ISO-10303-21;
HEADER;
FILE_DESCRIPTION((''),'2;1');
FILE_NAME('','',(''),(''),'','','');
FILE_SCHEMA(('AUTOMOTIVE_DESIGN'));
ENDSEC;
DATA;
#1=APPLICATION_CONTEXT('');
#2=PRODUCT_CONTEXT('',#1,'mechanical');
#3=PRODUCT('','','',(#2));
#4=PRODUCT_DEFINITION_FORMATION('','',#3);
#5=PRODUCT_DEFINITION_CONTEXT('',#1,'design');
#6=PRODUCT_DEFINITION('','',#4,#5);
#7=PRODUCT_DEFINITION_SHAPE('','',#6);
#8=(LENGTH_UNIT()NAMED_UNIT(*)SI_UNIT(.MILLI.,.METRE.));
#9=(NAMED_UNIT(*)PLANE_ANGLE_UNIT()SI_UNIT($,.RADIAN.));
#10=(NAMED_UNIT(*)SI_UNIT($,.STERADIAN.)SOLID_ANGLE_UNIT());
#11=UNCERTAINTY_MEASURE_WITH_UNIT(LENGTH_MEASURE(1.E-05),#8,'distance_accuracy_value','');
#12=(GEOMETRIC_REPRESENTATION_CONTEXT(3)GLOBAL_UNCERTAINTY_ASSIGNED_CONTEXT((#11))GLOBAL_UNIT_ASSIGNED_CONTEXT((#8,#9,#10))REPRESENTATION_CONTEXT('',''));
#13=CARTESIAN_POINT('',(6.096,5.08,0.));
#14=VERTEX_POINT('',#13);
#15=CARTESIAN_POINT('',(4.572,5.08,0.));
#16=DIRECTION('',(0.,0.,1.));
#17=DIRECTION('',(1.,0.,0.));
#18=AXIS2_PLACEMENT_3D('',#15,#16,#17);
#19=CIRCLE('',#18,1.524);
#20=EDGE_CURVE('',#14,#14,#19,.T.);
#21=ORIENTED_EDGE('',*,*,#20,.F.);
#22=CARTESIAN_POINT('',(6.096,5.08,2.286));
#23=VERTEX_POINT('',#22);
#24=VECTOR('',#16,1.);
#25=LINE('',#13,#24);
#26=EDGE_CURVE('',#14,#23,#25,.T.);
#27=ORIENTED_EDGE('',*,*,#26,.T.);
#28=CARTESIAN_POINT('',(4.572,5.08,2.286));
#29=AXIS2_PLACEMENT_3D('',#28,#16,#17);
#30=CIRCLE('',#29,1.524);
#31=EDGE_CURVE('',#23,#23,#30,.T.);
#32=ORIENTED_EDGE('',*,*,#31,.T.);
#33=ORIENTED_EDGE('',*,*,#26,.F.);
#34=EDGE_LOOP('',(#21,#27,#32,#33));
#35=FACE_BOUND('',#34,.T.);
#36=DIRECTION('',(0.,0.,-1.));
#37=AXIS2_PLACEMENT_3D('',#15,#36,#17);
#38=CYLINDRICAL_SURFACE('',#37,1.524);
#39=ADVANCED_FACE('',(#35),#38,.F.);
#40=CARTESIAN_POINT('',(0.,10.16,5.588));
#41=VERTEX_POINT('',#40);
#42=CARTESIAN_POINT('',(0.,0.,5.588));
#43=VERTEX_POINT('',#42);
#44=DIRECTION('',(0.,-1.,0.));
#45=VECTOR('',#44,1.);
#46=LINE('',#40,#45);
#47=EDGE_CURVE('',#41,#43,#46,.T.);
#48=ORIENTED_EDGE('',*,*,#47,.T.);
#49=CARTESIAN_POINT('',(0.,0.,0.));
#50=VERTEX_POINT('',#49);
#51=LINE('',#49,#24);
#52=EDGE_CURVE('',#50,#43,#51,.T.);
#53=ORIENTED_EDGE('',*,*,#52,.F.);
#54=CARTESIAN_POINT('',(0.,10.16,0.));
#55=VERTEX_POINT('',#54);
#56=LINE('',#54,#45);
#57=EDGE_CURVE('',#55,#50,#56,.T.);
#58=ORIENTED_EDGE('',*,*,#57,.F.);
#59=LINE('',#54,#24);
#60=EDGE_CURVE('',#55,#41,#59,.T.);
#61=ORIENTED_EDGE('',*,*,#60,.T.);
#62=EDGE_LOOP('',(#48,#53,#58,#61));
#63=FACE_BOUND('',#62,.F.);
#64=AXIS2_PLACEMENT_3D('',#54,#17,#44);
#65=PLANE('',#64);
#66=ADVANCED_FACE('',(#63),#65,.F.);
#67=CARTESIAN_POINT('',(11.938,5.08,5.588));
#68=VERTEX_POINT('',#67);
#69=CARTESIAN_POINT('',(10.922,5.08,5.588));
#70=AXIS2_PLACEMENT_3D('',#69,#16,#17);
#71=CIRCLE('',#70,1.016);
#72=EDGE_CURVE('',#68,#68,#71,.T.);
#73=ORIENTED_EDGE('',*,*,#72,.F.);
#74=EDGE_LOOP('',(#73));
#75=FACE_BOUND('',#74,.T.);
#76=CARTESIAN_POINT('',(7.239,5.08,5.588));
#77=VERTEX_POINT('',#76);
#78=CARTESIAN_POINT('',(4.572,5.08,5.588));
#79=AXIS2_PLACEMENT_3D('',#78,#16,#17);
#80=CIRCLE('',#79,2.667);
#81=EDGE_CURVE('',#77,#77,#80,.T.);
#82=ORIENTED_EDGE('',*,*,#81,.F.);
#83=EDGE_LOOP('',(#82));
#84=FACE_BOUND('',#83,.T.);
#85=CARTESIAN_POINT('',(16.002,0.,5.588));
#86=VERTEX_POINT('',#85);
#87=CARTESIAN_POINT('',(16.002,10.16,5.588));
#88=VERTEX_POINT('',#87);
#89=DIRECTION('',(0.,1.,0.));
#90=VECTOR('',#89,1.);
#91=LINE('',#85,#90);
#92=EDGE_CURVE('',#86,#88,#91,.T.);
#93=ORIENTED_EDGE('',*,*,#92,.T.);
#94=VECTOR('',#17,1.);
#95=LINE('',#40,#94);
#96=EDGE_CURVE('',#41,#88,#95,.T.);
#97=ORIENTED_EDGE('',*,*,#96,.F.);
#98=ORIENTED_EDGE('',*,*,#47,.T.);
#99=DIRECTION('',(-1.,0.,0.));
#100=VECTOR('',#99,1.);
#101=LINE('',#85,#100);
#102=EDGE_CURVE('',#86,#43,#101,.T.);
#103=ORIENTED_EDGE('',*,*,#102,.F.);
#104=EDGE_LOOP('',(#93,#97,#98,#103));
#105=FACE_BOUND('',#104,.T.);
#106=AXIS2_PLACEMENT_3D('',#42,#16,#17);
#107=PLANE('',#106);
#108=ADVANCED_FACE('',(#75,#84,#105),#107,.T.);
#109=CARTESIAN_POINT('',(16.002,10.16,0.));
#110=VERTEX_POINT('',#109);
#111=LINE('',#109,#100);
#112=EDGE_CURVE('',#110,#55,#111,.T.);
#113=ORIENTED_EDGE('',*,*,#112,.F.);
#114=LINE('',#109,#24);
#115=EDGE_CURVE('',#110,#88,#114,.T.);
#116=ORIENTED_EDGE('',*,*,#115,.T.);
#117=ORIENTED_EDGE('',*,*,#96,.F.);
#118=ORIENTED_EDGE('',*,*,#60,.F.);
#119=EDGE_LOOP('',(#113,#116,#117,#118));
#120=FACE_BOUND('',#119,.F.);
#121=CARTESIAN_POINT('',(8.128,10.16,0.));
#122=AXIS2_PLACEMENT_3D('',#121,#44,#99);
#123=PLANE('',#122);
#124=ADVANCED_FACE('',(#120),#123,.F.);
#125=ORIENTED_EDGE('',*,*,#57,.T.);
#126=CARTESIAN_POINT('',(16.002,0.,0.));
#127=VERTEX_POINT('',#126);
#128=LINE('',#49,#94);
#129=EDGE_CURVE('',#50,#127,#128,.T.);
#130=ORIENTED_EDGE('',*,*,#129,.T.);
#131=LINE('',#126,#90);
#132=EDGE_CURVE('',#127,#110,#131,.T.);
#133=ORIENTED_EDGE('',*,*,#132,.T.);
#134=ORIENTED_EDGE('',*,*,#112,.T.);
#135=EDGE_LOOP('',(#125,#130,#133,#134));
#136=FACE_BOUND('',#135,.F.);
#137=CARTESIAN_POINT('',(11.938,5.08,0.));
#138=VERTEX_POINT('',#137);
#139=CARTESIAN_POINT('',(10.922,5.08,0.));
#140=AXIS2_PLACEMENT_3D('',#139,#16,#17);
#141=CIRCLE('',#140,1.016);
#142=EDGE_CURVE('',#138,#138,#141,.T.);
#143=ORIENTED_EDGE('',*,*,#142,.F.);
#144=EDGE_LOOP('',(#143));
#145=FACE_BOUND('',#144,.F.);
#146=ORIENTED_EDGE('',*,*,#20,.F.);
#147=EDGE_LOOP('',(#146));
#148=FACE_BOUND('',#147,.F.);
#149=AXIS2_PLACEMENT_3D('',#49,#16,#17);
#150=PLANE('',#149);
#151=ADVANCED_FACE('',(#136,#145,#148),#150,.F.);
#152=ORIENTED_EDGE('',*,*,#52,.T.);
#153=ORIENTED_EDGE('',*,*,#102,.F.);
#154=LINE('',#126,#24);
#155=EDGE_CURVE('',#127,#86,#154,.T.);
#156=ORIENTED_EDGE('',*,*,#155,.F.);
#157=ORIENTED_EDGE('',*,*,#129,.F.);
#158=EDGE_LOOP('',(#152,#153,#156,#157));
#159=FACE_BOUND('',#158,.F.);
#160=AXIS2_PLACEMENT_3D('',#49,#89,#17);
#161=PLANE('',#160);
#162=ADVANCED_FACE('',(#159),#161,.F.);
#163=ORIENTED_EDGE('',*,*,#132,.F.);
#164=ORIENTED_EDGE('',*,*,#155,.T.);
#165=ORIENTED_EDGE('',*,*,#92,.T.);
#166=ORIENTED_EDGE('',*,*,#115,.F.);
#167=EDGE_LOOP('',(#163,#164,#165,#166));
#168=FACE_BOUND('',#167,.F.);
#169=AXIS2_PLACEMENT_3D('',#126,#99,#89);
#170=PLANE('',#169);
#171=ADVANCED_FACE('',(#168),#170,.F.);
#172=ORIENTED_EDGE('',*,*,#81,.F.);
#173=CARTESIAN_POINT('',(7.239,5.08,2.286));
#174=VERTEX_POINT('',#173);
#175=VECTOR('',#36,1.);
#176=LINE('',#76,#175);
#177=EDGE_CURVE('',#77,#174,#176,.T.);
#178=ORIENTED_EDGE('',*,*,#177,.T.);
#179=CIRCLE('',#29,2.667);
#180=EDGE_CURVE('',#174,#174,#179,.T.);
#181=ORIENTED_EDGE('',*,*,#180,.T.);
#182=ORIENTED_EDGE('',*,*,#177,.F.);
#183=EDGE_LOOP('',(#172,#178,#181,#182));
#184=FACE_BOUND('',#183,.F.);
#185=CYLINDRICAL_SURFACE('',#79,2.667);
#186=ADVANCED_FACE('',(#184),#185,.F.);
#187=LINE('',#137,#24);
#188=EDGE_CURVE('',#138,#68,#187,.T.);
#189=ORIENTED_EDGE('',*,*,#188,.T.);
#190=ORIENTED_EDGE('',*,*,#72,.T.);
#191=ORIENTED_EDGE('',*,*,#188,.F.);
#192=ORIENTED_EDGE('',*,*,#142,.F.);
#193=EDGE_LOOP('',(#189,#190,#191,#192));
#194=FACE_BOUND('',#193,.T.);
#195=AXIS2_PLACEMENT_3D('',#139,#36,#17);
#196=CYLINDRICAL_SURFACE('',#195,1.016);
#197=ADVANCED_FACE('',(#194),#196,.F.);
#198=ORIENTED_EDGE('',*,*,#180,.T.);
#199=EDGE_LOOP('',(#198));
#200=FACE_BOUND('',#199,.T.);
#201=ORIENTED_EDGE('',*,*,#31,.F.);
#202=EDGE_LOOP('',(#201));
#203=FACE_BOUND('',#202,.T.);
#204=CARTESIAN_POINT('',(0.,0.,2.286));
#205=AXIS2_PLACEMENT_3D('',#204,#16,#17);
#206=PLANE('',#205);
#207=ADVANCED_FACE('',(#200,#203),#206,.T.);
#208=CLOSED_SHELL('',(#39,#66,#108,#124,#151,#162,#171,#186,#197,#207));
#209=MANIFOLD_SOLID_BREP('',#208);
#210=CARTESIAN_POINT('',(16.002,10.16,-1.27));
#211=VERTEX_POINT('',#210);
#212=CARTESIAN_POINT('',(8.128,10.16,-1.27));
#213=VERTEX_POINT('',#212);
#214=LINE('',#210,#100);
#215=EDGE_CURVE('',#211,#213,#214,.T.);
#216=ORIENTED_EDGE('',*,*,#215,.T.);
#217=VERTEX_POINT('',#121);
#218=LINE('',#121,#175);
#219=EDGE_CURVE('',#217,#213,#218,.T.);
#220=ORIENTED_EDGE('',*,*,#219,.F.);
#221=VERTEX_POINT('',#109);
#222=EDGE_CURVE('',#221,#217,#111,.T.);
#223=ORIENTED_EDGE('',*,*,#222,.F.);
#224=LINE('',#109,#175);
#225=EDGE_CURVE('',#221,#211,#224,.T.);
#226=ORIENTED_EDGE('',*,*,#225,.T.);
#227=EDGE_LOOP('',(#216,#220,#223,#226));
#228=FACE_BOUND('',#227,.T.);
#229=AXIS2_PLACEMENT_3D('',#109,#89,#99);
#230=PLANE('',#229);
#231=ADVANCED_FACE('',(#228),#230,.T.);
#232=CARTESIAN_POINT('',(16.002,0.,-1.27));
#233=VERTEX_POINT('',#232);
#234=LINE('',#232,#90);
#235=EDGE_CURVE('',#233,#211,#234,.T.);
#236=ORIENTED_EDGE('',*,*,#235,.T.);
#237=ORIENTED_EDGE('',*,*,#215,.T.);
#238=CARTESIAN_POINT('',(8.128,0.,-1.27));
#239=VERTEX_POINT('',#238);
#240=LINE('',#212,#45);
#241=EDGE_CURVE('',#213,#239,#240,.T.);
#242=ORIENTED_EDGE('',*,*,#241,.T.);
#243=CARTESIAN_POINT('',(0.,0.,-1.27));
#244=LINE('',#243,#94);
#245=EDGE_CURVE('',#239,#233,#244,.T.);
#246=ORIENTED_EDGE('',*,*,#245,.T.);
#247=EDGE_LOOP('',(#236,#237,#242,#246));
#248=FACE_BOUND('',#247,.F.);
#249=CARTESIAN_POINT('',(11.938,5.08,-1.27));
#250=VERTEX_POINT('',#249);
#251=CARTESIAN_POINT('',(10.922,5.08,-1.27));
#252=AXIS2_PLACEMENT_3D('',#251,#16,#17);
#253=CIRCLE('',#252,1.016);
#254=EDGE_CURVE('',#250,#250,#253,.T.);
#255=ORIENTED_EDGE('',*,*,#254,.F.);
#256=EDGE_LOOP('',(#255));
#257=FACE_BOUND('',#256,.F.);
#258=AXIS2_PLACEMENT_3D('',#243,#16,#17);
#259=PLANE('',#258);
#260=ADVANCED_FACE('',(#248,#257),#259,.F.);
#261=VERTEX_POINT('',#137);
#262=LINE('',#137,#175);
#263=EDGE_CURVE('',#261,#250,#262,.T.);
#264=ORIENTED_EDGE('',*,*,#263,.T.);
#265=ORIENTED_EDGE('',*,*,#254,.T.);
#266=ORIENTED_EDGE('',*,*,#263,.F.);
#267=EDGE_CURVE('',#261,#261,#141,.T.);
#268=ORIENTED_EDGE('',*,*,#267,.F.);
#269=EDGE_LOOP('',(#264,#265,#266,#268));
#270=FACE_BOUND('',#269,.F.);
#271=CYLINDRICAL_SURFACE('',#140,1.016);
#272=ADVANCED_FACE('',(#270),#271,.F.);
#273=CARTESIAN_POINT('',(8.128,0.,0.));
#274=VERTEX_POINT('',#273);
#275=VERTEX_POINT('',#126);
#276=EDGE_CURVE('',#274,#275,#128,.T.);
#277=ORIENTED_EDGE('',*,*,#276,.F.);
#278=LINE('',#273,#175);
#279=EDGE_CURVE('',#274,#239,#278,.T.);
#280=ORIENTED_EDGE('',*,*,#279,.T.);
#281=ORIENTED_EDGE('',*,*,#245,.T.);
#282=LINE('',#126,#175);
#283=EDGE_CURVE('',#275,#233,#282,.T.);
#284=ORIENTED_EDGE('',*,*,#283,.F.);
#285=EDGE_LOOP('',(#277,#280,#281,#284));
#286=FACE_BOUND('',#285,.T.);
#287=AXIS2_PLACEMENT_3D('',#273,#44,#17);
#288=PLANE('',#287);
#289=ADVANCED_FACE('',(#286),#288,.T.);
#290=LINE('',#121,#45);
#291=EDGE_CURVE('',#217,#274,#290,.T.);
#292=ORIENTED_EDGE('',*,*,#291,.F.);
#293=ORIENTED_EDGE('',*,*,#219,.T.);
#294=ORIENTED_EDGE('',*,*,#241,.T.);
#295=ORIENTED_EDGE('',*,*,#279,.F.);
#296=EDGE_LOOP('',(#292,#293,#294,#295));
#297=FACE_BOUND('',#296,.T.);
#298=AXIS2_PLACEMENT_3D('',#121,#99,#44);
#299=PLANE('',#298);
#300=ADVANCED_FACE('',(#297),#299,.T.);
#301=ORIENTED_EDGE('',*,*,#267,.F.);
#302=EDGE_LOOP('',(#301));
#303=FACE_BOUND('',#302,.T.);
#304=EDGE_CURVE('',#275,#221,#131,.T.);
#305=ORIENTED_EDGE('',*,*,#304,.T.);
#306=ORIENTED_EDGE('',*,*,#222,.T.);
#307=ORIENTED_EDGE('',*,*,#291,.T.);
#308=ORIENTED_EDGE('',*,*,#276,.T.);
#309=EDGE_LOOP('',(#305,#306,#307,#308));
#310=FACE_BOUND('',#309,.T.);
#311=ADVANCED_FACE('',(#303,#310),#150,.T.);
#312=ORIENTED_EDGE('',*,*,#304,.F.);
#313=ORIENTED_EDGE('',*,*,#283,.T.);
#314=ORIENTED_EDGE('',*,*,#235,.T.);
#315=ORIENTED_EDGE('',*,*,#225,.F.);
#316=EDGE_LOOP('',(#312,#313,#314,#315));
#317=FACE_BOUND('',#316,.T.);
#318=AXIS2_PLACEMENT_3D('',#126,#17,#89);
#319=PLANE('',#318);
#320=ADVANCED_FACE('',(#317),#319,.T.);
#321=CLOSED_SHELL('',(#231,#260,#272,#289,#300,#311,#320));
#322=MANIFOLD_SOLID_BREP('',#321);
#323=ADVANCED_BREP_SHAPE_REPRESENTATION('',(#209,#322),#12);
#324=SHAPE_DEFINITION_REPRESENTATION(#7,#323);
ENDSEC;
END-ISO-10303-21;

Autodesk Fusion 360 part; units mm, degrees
sketch "Sketch1" plane through (0, 0, 0) normal (0, 0, 1) x (1, 0, 0)
  line L0 (0, 0) -> (16.002, 0)
  line L1 (16.002, 0) -> (16.002, 10.16)
  line L2 (16.002, 10.16) -> (0, 10.16)
  line L3 (0, 10.16) -> (0, 0)
  circle A0 centre (10.922, 5.08) radius 1.016
  circle A1 centre (4.572, 5.08) radius 1.524
  line L4 (16.002, 10.16) -> (8.128, 10.16)
  line L5 (8.128, 10.16) -> (8.128, 0)
  line L6 (8.128, 0) -> (16.002, 0)
  line L7 (16.002, 0) -> (16.002, 10.16)
  dimension "d1" = 16.002
  dimension "d2" = 10.16
  dimension "d3" = 2.032
  dimension "d4" = 3.048
  dimension "d5" = 5.08
  dimension "d6" = 5.08
  dimension "d7" = 4.572
  dimension "d8" = 6.35
  dimension "d21" = 7.874
extrude "Extrude6" add sketch "Sketch1" against normal blind 1.27 contours L0 L1 L2 L4 L5 L6 L7 makes body 1
extrude "Extrude1" add sketch "Sketch1" along normal blind 5.588 separate body makes body 2
extrude "Extrude2" add sketch "Sketch1" along normal blind 5.588 contours A0 bodies 2
extrude "Extrude3" cut sketch "Sketch1" along normal blind 5.588 contours A0 bodies 2
sketch "Sketch2" plane through (0, 0, 5.588) normal (0, 0, 1) x (1, 0, 0)
  circle A0 centre (4.572, 5.08) radius 1.524
  line L0 (0, 10.16) -> (0, 0)
  line L1 (0, 0) -> (16.002, 0)
  line L2 (16.002, 0) -> (16.002, 10.16)
  line L3 (16.002, 10.16) -> (0, 10.16)
  circle A1 centre (4.572, 5.08) radius 2.667
  line L4 (0, 10.16) -> (8.89, 10.16)
  line L5 (8.89, 10.16) -> (8.89, 0)
  line L6 (8.89, 0) -> (0, 0)
  line L7 (0, 0) -> (0, 10.16)
  circle A2 centre (10.922, 5.08) radius 1.016
  dimension "d15" = 5.334
  dimension "d18" = 8.89
extrude "Extrude4" cut sketch "Sketch2" against normal blind 3.302 contours A1 bodies 2
